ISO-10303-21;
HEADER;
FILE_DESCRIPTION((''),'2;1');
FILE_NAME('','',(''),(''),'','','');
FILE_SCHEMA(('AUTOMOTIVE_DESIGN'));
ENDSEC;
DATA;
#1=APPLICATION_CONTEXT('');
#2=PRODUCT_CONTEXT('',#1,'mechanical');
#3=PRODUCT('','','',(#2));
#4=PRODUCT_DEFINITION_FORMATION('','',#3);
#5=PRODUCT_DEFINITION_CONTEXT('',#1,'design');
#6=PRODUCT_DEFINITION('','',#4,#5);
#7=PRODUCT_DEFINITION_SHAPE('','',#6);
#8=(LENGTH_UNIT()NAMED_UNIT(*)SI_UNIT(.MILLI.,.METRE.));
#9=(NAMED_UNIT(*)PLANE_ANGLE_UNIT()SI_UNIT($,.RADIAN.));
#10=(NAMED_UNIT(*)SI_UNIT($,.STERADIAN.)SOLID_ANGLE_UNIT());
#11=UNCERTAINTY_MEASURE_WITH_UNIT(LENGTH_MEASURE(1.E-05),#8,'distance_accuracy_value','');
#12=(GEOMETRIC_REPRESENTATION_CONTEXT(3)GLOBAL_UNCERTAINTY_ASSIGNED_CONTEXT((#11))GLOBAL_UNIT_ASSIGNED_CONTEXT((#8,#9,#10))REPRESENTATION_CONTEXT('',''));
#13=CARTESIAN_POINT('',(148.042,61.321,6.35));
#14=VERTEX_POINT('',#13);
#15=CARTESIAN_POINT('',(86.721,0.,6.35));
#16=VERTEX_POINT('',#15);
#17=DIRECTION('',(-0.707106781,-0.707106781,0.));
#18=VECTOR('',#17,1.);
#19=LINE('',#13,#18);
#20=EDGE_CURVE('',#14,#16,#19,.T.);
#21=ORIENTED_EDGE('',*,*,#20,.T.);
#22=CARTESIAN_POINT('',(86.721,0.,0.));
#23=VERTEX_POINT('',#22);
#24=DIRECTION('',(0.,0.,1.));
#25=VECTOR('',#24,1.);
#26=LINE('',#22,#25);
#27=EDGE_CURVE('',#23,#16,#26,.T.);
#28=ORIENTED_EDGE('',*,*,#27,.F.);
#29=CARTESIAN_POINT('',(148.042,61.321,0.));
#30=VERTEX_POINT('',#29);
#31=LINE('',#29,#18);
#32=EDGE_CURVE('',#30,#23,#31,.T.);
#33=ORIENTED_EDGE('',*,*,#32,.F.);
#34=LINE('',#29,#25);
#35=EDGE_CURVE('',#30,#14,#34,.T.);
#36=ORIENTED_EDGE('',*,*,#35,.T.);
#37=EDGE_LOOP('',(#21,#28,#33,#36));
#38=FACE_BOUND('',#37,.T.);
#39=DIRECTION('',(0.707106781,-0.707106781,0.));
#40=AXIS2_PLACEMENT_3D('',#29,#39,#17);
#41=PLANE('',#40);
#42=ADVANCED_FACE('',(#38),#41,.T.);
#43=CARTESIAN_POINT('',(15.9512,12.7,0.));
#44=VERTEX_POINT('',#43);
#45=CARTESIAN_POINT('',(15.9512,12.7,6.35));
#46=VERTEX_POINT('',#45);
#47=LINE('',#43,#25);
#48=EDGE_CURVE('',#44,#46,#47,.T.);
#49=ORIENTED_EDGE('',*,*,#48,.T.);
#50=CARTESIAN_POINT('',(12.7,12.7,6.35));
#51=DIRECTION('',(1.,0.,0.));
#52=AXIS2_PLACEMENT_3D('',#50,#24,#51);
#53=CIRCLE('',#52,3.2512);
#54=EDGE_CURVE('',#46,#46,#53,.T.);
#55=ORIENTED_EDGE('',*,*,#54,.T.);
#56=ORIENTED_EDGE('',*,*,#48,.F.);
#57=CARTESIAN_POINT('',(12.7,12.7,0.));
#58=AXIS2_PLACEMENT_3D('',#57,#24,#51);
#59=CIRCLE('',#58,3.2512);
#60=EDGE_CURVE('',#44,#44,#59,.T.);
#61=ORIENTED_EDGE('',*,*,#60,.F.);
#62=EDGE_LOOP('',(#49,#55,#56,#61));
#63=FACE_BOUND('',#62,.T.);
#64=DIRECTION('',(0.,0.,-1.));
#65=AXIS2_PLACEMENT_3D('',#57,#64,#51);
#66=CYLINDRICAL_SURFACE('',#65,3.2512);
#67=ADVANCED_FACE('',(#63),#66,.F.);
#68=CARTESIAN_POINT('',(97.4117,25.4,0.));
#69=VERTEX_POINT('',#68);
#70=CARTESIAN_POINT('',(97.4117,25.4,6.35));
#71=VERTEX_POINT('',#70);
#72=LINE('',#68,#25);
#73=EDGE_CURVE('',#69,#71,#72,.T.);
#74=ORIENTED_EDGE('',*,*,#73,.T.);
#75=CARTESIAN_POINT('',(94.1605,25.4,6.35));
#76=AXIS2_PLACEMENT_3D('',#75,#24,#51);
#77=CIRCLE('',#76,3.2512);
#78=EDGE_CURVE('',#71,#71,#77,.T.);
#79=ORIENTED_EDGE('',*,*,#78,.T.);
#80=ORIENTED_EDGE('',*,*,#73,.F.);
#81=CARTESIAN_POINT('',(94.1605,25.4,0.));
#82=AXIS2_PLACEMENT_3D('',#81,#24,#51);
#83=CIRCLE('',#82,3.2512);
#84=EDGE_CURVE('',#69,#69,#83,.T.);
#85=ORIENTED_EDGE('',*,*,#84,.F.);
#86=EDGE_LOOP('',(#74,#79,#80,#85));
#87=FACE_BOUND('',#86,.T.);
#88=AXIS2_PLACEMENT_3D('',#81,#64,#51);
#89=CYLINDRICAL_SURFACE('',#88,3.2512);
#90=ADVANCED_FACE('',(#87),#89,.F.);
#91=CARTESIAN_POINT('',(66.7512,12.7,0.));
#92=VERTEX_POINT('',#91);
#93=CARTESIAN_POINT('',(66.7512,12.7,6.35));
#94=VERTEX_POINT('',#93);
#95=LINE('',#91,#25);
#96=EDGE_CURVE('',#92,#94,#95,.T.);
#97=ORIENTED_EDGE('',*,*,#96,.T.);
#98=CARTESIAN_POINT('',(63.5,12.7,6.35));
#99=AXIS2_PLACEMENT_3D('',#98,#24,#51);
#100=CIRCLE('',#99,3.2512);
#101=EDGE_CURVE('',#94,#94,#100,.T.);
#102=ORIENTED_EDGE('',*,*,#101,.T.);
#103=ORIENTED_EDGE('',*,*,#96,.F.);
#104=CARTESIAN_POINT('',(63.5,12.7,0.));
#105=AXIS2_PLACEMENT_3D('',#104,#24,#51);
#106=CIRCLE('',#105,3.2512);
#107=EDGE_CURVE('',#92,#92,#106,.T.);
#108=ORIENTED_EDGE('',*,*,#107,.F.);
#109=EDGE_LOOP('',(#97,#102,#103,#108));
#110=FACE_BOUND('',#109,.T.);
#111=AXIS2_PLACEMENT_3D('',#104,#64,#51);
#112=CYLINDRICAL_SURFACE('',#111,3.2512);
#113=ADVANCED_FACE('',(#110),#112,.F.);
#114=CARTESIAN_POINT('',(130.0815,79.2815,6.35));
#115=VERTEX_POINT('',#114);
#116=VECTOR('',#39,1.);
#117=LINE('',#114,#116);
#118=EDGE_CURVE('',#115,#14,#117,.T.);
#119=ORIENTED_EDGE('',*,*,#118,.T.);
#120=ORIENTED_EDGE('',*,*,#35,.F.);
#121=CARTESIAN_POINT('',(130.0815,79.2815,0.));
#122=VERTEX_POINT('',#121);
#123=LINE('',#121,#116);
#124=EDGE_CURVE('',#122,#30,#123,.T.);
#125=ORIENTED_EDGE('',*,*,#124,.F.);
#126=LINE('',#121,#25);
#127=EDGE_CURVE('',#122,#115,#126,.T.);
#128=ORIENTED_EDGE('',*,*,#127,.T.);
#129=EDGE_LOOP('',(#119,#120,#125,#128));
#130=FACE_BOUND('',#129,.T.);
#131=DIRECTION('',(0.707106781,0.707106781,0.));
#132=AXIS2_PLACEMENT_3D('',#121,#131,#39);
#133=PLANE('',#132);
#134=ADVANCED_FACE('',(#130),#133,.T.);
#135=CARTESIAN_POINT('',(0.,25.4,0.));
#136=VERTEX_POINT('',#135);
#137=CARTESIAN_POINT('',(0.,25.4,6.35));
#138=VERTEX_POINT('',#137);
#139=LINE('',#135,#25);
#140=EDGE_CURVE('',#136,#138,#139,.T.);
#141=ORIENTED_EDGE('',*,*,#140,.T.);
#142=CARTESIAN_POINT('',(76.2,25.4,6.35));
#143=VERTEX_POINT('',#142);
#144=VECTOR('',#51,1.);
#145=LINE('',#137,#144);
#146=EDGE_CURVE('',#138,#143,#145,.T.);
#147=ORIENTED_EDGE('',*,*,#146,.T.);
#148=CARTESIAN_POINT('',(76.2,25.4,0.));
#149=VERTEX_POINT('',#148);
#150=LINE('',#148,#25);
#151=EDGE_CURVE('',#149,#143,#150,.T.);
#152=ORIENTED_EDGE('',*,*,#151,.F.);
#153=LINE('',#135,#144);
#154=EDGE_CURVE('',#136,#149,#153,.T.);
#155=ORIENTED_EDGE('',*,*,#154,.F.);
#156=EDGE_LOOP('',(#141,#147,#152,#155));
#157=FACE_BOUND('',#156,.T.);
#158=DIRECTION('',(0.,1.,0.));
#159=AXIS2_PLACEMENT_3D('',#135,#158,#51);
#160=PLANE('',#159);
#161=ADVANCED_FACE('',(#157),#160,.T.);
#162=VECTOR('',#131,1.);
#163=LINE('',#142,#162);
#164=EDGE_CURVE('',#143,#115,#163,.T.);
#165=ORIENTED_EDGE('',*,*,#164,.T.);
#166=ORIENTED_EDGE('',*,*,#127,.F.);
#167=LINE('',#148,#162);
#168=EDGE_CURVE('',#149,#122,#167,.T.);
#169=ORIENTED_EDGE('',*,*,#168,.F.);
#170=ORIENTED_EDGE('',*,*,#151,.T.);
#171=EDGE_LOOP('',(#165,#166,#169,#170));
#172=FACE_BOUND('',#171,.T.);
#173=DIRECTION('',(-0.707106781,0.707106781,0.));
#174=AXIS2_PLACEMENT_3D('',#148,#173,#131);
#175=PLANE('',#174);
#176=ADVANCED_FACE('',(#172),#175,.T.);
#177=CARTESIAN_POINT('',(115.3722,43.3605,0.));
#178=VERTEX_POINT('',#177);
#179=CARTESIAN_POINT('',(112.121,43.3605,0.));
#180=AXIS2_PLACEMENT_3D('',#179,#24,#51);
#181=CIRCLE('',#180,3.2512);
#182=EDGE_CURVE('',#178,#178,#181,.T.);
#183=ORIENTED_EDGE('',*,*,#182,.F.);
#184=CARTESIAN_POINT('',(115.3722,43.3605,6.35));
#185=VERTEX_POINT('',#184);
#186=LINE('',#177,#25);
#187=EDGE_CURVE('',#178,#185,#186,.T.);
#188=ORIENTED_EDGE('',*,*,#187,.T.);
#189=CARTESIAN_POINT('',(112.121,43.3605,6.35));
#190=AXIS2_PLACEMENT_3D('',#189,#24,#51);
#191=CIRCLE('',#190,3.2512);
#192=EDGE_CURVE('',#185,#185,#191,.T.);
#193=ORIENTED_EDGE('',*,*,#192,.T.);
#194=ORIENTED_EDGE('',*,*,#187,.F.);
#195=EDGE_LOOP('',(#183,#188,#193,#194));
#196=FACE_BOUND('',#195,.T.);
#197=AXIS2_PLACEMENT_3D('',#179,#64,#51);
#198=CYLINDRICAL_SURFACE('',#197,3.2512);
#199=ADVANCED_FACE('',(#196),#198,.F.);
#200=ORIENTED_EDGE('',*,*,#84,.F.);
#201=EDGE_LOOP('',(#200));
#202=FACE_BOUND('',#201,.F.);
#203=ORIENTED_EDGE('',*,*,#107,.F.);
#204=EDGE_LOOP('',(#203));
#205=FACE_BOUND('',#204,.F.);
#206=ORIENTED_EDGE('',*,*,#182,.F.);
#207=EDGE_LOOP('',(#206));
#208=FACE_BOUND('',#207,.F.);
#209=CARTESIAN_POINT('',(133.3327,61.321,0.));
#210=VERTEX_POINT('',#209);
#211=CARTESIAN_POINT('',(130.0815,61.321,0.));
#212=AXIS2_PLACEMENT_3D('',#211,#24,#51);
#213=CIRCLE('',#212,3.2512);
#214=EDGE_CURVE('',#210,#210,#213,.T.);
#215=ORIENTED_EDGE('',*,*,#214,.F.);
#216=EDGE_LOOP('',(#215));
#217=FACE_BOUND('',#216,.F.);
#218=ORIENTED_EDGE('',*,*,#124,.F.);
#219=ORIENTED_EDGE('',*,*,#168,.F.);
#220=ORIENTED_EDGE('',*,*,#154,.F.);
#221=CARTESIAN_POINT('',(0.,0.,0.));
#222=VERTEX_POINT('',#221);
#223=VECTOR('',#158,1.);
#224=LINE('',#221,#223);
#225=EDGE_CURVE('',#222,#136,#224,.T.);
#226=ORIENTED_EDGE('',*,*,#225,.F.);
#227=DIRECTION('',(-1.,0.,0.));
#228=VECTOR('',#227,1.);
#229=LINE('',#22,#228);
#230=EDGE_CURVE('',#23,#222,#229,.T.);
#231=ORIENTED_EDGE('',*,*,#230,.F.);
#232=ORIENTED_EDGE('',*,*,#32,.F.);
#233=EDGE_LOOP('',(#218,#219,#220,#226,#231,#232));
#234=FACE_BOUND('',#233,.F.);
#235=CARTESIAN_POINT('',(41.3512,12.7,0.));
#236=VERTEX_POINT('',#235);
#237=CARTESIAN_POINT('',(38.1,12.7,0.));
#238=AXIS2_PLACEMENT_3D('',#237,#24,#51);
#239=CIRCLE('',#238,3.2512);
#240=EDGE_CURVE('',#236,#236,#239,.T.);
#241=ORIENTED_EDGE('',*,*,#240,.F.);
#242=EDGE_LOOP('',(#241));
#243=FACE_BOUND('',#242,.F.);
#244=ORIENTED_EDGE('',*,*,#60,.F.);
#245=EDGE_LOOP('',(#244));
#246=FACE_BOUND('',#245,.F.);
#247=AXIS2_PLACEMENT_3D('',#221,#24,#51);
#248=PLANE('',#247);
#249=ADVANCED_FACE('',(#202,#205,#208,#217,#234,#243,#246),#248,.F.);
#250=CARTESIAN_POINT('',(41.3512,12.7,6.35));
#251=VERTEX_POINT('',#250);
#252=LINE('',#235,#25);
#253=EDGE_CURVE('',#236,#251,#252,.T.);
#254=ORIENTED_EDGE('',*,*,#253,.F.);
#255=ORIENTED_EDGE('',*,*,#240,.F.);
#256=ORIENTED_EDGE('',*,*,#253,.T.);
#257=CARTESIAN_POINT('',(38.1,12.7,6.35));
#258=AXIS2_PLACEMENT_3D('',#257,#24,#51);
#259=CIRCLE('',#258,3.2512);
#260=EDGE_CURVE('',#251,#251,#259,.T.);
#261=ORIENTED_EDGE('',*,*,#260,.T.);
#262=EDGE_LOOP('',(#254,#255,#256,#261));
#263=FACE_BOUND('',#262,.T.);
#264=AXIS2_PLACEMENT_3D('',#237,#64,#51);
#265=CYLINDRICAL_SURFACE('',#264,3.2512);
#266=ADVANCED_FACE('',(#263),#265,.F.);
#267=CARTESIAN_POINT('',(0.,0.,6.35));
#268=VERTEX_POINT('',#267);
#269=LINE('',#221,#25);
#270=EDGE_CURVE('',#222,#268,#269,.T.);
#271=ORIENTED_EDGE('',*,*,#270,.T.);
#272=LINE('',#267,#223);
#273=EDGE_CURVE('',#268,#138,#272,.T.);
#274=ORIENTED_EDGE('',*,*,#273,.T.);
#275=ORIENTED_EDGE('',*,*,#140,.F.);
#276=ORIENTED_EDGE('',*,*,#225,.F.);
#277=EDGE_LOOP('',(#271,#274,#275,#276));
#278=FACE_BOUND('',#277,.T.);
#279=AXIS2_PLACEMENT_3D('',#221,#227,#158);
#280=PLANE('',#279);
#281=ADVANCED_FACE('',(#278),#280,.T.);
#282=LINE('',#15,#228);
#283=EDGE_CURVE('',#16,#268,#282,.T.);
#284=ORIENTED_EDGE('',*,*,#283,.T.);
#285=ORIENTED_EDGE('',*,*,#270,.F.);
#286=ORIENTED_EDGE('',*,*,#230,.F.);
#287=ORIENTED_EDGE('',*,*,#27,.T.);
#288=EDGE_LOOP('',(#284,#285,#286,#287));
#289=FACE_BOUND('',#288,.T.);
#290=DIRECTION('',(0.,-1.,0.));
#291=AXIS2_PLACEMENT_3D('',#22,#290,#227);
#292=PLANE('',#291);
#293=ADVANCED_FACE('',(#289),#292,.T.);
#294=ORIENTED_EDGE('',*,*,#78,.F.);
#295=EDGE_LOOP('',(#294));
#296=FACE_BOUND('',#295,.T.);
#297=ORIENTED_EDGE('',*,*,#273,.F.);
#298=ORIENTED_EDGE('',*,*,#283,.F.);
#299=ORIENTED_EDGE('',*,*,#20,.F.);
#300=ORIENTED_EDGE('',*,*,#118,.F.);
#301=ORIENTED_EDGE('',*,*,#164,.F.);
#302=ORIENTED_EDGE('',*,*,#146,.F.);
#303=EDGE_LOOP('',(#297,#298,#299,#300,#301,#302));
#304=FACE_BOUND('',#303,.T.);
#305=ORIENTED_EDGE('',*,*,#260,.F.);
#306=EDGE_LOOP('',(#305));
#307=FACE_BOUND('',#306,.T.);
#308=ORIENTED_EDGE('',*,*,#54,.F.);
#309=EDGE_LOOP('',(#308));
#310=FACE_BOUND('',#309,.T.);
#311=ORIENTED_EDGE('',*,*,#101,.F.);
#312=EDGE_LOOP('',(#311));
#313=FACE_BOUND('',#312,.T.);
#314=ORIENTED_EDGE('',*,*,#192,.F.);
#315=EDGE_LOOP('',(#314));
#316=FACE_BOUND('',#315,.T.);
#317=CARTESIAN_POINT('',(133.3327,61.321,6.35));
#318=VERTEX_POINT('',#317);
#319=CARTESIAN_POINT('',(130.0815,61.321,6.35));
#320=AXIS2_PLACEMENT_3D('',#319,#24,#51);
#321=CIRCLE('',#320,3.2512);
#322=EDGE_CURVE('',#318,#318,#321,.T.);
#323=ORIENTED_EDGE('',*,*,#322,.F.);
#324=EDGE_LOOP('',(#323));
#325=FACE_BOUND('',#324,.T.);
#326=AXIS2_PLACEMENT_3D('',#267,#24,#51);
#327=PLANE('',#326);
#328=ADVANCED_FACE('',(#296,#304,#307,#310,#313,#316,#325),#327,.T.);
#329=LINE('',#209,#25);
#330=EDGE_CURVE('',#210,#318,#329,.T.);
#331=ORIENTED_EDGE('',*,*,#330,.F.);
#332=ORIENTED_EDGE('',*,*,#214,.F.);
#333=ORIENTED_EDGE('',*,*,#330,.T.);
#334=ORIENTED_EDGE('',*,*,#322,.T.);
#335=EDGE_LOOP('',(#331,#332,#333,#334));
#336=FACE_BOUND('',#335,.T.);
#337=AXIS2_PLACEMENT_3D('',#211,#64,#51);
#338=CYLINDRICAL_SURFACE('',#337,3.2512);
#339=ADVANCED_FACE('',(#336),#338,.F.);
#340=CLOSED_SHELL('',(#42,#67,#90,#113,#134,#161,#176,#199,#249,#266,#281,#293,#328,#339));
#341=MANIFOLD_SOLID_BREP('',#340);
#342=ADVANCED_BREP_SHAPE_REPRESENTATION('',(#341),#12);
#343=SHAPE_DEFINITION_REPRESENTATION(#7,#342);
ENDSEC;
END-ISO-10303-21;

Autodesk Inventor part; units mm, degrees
ref_plane "YZ Plane" through (0, 0, 0) normal (1, 0, 0) x (0, 1, 0)
ref_plane "XZ Plane" through (0, 0, 0) normal (0, 1, 0) x (-1, 0, 0)
ref_plane "XY Plane" through (0, 0, 0) normal (0, 0, 1) x (1, 0, 0)
sketch "Sketch1" plane through (0, 0, 0) normal (0, 0, 1) x (1, 0, 0)
  line L0 (0, 0) -> (0, 25.4)
  line L1 (0, 25.4) -> (76.2, 25.4)
  line L2 (76.2, 25.4) -> (130.0815, 79.2815)
  line L3 (130.0815, 79.2815) -> (148.042, 61.321)
  line L4 (148.042, 61.321) -> (86.721, 0)
  line L5 (86.721, 0) -> (0, 0)
  circle A0 centre (12.7, 12.7) radius 3.2512
  circle A1 centre (38.1, 12.7) radius 3.2512
  circle A2 centre (63.5, 12.7) radius 3.2512
  circle A3 centre (130.0815, 61.321) radius 3.2512
  circle A4 centre (112.121, 43.3605) radius 3.2512
  circle A5 centre (94.1605, 25.4) radius 3.2512
  dimension "d0" = 25.4
  dimension "d1" = 76.2
  dimension "d2" = 76.2
  dimension "d3" = 135
  dimension "d4" = 25.4
  dimension "d5" = 6.5024
  dimension "d6" = 12.7
  dimension "d9" = 25.4
  dimension "d14" = 12.7
  dimension "d15" = 6.5024
  dimension "d16" = 12.7
  dimension "d17" = 12.7
  dimension "d23" = 25.4
extrude "Extrusion1" add sketch "Sketch1" along normal blind 6.35
properties part number "1x3 V plate"
